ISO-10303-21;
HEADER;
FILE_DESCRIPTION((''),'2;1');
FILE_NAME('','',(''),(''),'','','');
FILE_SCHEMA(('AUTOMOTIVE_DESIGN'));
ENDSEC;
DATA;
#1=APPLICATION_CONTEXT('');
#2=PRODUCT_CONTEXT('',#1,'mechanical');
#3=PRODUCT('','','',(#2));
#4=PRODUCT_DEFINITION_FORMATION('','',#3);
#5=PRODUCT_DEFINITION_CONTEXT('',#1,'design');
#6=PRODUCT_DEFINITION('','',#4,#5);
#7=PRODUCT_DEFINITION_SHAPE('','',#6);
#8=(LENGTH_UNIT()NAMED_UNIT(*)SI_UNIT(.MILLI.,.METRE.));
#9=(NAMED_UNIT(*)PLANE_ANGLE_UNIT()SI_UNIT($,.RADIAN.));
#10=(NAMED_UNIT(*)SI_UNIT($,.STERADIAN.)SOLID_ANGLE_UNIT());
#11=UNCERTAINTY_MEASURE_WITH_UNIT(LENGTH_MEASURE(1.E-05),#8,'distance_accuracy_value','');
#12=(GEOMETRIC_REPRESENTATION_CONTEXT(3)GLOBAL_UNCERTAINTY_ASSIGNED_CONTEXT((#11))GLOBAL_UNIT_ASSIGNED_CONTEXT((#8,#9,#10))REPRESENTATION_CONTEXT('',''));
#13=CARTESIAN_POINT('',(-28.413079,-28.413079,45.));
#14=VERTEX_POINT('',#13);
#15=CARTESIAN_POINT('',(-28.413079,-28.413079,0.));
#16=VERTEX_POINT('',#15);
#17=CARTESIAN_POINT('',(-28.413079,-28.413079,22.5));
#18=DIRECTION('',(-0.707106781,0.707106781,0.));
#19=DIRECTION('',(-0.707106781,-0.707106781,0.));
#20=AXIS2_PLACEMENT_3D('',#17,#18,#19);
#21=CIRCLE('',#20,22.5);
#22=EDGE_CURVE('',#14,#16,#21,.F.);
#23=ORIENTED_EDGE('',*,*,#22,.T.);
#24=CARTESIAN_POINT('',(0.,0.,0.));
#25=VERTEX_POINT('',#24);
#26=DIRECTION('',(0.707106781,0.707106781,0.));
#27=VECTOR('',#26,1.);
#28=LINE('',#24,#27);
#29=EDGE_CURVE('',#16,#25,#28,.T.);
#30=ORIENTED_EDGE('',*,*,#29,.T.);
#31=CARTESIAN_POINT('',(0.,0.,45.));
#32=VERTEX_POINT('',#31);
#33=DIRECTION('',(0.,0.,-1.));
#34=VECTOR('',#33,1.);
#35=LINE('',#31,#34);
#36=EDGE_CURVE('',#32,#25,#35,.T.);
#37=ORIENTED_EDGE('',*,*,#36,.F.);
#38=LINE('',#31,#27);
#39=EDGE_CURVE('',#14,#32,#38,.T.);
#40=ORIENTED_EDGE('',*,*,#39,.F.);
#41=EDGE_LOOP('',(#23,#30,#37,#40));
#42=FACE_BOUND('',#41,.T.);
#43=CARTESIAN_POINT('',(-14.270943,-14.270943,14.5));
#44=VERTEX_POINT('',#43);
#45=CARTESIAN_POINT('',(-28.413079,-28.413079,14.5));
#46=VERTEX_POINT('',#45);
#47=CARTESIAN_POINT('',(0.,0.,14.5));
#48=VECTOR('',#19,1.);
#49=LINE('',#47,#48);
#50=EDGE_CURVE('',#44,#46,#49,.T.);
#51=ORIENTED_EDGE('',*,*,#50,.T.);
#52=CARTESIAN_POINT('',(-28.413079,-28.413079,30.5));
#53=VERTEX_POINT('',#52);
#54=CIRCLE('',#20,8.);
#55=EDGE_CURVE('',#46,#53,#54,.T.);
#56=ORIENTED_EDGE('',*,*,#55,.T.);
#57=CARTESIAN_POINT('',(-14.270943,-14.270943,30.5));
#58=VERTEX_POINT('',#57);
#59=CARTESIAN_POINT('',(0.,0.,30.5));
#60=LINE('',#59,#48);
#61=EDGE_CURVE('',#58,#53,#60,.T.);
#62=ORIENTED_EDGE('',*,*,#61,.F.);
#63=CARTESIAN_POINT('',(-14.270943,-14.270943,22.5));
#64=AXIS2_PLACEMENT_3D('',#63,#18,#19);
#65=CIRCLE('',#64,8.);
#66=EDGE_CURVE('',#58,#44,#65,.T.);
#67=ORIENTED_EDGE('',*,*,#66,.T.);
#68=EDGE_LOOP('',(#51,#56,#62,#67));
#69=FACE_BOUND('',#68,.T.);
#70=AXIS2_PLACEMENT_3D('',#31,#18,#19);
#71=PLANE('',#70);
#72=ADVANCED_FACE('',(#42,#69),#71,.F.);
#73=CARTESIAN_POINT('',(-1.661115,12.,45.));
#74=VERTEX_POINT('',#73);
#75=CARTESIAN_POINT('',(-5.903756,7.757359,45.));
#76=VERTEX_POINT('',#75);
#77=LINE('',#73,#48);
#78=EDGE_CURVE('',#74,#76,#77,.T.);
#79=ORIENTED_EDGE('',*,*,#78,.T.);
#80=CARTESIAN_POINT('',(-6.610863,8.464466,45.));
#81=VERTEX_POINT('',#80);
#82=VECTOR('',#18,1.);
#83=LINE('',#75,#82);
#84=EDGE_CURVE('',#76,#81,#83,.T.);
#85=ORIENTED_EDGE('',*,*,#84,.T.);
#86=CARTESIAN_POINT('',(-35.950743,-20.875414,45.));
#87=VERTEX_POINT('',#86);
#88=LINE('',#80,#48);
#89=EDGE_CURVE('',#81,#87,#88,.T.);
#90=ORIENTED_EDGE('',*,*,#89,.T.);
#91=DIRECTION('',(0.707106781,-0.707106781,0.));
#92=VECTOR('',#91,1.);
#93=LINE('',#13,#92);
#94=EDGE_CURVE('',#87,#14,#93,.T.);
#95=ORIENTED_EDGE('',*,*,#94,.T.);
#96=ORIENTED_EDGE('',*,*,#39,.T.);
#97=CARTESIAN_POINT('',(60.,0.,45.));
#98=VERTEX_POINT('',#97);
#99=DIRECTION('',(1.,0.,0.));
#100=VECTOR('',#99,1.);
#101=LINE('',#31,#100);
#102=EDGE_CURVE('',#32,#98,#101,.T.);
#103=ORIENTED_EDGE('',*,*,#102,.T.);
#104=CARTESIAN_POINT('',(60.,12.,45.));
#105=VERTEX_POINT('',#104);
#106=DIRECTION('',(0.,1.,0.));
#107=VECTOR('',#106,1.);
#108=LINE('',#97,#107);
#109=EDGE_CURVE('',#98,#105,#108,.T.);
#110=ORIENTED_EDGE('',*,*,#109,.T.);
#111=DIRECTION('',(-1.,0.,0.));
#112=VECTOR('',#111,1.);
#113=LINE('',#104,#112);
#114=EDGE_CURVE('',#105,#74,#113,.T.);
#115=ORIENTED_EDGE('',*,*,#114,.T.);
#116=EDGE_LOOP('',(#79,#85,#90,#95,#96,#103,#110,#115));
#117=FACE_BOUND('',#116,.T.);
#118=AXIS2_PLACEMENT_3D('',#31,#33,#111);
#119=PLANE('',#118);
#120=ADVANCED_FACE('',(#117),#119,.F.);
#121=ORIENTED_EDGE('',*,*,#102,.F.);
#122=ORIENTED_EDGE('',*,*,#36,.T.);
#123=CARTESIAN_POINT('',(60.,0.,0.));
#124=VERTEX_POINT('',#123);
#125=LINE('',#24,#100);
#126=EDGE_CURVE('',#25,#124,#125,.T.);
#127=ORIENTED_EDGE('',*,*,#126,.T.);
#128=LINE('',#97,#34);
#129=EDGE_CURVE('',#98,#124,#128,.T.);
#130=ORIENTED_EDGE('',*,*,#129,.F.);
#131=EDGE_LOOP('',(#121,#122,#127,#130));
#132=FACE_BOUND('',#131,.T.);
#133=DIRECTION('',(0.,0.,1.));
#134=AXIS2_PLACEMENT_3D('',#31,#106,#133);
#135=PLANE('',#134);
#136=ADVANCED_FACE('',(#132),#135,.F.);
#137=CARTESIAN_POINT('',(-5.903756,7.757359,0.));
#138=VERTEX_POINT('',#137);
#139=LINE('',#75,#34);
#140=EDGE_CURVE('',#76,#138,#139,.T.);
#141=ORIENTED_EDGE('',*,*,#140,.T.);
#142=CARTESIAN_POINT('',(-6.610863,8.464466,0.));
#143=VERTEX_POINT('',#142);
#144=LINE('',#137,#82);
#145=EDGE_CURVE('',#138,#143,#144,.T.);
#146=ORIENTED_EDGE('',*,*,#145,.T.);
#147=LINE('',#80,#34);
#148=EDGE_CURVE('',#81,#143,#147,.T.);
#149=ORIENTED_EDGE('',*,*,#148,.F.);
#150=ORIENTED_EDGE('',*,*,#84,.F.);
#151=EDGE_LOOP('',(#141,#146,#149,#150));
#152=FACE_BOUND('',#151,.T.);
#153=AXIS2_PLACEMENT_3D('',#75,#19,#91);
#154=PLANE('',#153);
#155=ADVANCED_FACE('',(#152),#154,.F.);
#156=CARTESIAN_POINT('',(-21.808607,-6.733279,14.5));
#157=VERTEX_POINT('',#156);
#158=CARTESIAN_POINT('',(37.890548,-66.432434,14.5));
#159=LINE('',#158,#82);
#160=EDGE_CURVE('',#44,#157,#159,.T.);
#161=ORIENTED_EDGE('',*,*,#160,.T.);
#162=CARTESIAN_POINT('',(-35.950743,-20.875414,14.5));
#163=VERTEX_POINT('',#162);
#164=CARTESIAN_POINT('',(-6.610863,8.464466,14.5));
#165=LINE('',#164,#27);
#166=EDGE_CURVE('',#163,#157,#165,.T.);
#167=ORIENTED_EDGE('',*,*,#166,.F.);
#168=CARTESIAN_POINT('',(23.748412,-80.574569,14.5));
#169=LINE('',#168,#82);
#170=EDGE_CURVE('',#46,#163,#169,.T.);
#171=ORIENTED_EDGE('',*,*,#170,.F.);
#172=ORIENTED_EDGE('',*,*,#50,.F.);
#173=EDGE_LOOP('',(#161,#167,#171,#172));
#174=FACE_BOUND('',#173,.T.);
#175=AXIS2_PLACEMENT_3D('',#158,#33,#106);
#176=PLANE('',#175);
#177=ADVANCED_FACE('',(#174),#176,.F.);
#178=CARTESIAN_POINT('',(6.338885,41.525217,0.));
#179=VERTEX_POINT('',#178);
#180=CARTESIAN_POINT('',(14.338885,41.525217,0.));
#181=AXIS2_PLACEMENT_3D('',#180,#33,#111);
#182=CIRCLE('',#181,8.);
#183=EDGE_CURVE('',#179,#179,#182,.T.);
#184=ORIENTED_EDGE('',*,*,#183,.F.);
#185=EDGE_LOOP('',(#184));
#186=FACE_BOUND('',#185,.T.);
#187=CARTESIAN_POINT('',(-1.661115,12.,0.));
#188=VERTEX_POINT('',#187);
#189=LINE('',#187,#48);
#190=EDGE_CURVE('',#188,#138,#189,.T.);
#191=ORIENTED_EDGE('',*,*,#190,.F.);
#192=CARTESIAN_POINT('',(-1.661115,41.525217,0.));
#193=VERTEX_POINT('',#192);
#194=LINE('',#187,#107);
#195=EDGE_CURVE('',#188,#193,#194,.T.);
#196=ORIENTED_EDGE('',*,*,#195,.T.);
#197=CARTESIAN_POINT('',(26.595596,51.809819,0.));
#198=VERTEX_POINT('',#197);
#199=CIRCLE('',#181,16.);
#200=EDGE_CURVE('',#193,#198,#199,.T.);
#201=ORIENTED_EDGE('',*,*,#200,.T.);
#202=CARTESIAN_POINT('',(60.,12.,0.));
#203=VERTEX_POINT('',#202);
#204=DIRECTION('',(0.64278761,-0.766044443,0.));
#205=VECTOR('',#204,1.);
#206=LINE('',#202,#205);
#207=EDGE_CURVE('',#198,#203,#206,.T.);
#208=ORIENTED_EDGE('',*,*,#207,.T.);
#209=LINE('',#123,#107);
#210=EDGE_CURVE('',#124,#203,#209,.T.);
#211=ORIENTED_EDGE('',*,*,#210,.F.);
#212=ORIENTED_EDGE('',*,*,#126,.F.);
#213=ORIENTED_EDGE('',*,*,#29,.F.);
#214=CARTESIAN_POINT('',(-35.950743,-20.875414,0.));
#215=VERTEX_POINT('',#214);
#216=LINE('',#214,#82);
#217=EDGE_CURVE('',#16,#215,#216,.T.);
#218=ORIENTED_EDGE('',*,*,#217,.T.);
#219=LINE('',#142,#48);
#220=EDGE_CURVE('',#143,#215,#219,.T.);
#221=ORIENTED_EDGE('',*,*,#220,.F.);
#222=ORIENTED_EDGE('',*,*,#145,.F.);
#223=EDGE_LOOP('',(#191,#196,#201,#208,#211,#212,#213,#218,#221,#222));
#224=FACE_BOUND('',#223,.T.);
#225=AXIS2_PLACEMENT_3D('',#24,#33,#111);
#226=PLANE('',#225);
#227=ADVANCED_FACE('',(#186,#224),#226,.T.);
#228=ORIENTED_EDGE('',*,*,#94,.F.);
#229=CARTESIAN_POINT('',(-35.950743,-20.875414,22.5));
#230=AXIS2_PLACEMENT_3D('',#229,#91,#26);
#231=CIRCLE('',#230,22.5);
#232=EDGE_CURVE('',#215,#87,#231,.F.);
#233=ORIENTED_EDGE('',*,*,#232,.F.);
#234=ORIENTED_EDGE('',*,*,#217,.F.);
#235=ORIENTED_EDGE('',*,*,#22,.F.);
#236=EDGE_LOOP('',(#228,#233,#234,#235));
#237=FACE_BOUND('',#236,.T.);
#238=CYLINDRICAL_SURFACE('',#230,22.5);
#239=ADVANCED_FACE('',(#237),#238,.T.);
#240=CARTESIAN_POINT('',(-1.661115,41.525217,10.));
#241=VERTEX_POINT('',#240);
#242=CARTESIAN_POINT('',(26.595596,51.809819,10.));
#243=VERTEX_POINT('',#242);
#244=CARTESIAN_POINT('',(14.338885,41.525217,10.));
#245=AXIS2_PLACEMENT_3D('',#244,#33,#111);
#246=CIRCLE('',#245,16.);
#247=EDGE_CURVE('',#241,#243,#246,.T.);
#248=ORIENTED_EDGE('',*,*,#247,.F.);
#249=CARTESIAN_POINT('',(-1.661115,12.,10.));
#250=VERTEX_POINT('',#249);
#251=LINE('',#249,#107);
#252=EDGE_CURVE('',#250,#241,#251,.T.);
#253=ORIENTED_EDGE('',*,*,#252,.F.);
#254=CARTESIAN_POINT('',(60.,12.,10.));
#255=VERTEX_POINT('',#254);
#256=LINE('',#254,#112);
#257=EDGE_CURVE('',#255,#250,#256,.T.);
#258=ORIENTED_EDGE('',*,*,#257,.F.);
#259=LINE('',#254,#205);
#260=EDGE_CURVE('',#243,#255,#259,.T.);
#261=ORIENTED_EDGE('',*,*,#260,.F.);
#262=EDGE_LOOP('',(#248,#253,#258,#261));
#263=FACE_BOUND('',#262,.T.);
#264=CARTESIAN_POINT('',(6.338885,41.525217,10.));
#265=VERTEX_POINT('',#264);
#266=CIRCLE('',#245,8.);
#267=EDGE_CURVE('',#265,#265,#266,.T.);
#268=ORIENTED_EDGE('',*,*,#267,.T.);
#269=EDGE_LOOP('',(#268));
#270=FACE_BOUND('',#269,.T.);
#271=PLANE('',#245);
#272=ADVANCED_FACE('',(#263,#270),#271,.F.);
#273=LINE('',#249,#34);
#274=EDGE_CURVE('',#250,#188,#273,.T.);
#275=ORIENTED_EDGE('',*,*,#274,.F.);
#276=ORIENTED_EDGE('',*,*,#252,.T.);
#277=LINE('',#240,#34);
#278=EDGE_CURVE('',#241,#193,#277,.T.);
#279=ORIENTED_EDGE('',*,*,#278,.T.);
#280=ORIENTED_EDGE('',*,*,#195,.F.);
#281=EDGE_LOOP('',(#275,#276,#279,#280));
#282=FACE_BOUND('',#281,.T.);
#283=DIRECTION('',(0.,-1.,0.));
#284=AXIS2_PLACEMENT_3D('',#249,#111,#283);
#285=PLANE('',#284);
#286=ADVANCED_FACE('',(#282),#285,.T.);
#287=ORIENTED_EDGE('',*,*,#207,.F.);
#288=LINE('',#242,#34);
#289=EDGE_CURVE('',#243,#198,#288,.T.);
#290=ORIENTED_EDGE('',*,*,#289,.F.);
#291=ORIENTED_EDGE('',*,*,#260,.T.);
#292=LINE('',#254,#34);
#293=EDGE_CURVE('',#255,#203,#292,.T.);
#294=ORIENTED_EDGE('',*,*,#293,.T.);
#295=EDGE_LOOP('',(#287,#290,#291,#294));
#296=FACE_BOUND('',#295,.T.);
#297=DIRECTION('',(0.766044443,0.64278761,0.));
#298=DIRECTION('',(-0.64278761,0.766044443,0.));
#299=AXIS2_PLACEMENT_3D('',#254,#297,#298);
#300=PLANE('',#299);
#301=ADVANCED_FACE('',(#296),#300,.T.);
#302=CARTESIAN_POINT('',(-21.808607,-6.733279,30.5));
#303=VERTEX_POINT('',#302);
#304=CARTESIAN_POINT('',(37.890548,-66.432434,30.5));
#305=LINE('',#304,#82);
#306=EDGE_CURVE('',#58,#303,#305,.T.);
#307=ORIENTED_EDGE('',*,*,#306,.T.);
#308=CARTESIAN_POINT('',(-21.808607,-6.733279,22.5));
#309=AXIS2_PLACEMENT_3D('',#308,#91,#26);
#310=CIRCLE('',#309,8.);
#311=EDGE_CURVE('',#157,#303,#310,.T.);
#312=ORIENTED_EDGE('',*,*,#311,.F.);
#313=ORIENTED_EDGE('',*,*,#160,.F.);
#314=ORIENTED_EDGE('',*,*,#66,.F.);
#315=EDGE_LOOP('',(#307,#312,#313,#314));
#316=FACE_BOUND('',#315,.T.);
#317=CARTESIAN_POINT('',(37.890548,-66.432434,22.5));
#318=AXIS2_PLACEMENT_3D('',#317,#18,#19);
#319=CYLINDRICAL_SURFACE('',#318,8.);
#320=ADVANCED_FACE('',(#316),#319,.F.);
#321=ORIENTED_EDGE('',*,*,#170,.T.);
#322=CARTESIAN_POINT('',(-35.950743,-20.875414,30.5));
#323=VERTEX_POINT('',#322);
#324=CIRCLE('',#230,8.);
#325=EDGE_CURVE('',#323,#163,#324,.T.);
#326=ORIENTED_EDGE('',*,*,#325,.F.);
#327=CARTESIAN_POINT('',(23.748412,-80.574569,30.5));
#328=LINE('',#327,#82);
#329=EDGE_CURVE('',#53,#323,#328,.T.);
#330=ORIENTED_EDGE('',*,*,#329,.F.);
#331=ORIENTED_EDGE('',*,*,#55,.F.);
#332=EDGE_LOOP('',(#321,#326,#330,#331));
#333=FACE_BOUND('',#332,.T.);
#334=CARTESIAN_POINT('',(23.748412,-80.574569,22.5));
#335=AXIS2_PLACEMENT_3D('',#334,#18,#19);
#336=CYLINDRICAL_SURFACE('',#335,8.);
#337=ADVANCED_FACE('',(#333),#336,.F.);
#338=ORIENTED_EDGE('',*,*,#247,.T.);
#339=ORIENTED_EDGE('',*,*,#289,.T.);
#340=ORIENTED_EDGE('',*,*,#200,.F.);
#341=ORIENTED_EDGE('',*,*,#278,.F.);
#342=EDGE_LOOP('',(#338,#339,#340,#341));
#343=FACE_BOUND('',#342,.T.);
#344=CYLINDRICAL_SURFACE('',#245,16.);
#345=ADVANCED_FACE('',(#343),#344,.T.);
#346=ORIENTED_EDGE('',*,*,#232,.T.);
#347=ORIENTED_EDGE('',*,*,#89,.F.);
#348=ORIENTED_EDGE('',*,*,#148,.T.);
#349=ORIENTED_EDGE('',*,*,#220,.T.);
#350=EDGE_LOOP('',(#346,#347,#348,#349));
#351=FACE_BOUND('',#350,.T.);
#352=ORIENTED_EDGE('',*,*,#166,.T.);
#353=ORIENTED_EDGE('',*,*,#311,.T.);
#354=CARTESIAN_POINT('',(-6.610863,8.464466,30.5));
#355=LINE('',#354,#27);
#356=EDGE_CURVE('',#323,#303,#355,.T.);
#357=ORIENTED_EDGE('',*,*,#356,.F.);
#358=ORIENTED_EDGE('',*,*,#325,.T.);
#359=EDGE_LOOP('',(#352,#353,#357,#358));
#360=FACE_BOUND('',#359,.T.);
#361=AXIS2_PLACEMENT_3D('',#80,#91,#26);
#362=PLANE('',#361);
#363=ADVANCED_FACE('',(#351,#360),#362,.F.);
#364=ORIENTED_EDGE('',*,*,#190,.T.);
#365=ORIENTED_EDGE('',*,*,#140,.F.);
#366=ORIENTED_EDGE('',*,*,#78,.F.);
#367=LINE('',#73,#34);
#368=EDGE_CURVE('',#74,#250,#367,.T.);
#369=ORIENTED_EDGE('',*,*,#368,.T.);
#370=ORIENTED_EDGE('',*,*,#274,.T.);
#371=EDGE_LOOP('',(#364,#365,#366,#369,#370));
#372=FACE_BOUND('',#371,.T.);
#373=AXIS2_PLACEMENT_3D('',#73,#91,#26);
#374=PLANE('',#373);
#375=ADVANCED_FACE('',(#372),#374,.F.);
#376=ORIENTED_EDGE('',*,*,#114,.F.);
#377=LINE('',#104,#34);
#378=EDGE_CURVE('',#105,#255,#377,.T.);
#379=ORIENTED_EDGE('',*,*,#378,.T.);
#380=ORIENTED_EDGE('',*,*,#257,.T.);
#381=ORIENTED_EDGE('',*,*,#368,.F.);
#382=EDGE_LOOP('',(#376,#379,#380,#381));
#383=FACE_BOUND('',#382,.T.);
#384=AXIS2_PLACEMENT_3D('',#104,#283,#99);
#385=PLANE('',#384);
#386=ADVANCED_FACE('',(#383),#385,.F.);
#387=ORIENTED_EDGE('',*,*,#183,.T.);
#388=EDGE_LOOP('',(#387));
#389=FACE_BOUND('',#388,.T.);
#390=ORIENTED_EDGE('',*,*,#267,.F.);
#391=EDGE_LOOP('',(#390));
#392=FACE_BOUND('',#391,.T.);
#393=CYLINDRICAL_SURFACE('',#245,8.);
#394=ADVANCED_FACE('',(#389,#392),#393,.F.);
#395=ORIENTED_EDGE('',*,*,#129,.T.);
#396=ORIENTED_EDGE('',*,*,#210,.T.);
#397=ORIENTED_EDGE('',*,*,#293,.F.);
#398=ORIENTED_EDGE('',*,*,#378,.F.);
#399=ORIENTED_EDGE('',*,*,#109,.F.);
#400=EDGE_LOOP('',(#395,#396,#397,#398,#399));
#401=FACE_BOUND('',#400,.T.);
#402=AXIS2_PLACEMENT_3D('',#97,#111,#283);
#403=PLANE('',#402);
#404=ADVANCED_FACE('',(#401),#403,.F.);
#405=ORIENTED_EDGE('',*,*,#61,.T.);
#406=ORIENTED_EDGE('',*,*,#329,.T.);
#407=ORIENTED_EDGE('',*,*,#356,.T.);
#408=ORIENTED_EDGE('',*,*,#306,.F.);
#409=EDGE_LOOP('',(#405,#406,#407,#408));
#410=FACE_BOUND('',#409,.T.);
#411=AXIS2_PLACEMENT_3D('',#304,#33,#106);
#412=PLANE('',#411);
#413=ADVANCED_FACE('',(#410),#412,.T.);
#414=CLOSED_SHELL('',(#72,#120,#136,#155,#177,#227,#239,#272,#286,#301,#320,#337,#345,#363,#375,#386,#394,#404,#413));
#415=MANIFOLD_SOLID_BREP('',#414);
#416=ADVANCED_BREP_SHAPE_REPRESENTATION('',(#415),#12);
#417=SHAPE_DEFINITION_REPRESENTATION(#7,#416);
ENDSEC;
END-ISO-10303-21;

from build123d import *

# Parameters (mm, degrees)
EXTRUDE_1_DEPTH          = 45
SKETCH_3_R               = 8
EXTRUDE_2_DEPTH          = 10
FILLET_1_RADIUS          = 22.5
FILLET_1_LENGTH          = 10.659867141
CUT_EXTRUDE_1_DEPTH      = 97.311280041
CUT_EXTRUDE_1_DEPTH_BACK = 97.311280041


with BuildPart() as part:
    # 草图2 → 凸台-拉伸1 (new body)
    with BuildSketch(Plane.XY):
        Polygon((0, 0), (60, 0), (60, 12), (-1.661115121, 12), (-5.903755809, 7.757359313), (-6.61086259, 8.464466094), (-51.860645565, -36.785316881), (-44.322981223, -44.322981223), align=None)
    extrude(amount=EXTRUDE_1_DEPTH)

    # 草图3 → 凸台-拉伸2 (add)
    with BuildSketch(Plane(origin=(0, 0, 0), x_dir=(-1, 0, 0), z_dir=(0, 0, -1))):
        with BuildLine():
            Line((-60, 12), (-26.595595968, 51.809818513))
            ThreePointArc((-26.595595968, 51.809818513), (-8.866562585, 56.560298691), (1.661115121, 41.525216758))
            Line((1.661115121, 41.525216758), (1.661115121, 12))
            Line((1.661115121, 12), (-60, 12))
        make_face()
        with Locations((-14.338884879, 41.525216758)):
            Circle(SKETCH_3_R, mode=Mode.SUBTRACT)
    extrude(amount=-EXTRUDE_2_DEPTH)

    # 圆角1: full round fillet: the end face becomes a half cylinder, R = half its width
    fillet_1_face = Plane((-48.091813394, -40.554149052, 22.5), x_dir=(-0.707106781187, 0.707106781187, 0), z_dir=(-0.707106781187, -0.707106781187, 0))  # on the end face: x along it, z out of the body
    fillet_1_slab = fillet_1_face.offset(-FILLET_1_RADIUS / 2) * Box(FILLET_1_LENGTH, 2 * FILLET_1_RADIUS, FILLET_1_RADIUS, mode=Mode.PRIVATE)  # the body's end, R deep
    fillet_1_round = Plane((-32.181910817, -24.644246475, 22.5), x_dir=(-0.707106781187, -0.707106781187, 0), z_dir=(-0.707106781187, 0.707106781187, 0)) * Cylinder(FILLET_1_RADIUS, FILLET_1_LENGTH, mode=Mode.PRIVATE)  # its axis R under the face
    add(fillet_1_slab - fillet_1_round, mode=Mode.SUBTRACT)

    # 草图6 → 切除-拉伸1 (cut, two sides: drawn at the far end of the back side and taken through both)
    with BuildSketch(Plane(origin=(-7.537664342, 7.537664342, 0), x_dir=(0, 0, 1), z_dir=(-0.7071067811865487, 0.7071067811865465, 0)).offset(-CUT_EXTRUDE_1_DEPTH_BACK)):
        with BuildLine():
            Line((30.5, -20.182161171), (30.5, -40.182161171))
            ThreePointArc((30.5, -40.182161171), (22.5, -48.182161171), (14.5, -40.182161171))
            Line((14.5, -40.182161171), (14.5, -20.182161171))
            ThreePointArc((14.5, -20.182161171), (22.5, -12.182161171), (30.5, -20.182161171))
        make_face()
    extrude(amount=CUT_EXTRUDE_1_DEPTH + CUT_EXTRUDE_1_DEPTH_BACK, mode=Mode.SUBTRACT)


solid = part.part
